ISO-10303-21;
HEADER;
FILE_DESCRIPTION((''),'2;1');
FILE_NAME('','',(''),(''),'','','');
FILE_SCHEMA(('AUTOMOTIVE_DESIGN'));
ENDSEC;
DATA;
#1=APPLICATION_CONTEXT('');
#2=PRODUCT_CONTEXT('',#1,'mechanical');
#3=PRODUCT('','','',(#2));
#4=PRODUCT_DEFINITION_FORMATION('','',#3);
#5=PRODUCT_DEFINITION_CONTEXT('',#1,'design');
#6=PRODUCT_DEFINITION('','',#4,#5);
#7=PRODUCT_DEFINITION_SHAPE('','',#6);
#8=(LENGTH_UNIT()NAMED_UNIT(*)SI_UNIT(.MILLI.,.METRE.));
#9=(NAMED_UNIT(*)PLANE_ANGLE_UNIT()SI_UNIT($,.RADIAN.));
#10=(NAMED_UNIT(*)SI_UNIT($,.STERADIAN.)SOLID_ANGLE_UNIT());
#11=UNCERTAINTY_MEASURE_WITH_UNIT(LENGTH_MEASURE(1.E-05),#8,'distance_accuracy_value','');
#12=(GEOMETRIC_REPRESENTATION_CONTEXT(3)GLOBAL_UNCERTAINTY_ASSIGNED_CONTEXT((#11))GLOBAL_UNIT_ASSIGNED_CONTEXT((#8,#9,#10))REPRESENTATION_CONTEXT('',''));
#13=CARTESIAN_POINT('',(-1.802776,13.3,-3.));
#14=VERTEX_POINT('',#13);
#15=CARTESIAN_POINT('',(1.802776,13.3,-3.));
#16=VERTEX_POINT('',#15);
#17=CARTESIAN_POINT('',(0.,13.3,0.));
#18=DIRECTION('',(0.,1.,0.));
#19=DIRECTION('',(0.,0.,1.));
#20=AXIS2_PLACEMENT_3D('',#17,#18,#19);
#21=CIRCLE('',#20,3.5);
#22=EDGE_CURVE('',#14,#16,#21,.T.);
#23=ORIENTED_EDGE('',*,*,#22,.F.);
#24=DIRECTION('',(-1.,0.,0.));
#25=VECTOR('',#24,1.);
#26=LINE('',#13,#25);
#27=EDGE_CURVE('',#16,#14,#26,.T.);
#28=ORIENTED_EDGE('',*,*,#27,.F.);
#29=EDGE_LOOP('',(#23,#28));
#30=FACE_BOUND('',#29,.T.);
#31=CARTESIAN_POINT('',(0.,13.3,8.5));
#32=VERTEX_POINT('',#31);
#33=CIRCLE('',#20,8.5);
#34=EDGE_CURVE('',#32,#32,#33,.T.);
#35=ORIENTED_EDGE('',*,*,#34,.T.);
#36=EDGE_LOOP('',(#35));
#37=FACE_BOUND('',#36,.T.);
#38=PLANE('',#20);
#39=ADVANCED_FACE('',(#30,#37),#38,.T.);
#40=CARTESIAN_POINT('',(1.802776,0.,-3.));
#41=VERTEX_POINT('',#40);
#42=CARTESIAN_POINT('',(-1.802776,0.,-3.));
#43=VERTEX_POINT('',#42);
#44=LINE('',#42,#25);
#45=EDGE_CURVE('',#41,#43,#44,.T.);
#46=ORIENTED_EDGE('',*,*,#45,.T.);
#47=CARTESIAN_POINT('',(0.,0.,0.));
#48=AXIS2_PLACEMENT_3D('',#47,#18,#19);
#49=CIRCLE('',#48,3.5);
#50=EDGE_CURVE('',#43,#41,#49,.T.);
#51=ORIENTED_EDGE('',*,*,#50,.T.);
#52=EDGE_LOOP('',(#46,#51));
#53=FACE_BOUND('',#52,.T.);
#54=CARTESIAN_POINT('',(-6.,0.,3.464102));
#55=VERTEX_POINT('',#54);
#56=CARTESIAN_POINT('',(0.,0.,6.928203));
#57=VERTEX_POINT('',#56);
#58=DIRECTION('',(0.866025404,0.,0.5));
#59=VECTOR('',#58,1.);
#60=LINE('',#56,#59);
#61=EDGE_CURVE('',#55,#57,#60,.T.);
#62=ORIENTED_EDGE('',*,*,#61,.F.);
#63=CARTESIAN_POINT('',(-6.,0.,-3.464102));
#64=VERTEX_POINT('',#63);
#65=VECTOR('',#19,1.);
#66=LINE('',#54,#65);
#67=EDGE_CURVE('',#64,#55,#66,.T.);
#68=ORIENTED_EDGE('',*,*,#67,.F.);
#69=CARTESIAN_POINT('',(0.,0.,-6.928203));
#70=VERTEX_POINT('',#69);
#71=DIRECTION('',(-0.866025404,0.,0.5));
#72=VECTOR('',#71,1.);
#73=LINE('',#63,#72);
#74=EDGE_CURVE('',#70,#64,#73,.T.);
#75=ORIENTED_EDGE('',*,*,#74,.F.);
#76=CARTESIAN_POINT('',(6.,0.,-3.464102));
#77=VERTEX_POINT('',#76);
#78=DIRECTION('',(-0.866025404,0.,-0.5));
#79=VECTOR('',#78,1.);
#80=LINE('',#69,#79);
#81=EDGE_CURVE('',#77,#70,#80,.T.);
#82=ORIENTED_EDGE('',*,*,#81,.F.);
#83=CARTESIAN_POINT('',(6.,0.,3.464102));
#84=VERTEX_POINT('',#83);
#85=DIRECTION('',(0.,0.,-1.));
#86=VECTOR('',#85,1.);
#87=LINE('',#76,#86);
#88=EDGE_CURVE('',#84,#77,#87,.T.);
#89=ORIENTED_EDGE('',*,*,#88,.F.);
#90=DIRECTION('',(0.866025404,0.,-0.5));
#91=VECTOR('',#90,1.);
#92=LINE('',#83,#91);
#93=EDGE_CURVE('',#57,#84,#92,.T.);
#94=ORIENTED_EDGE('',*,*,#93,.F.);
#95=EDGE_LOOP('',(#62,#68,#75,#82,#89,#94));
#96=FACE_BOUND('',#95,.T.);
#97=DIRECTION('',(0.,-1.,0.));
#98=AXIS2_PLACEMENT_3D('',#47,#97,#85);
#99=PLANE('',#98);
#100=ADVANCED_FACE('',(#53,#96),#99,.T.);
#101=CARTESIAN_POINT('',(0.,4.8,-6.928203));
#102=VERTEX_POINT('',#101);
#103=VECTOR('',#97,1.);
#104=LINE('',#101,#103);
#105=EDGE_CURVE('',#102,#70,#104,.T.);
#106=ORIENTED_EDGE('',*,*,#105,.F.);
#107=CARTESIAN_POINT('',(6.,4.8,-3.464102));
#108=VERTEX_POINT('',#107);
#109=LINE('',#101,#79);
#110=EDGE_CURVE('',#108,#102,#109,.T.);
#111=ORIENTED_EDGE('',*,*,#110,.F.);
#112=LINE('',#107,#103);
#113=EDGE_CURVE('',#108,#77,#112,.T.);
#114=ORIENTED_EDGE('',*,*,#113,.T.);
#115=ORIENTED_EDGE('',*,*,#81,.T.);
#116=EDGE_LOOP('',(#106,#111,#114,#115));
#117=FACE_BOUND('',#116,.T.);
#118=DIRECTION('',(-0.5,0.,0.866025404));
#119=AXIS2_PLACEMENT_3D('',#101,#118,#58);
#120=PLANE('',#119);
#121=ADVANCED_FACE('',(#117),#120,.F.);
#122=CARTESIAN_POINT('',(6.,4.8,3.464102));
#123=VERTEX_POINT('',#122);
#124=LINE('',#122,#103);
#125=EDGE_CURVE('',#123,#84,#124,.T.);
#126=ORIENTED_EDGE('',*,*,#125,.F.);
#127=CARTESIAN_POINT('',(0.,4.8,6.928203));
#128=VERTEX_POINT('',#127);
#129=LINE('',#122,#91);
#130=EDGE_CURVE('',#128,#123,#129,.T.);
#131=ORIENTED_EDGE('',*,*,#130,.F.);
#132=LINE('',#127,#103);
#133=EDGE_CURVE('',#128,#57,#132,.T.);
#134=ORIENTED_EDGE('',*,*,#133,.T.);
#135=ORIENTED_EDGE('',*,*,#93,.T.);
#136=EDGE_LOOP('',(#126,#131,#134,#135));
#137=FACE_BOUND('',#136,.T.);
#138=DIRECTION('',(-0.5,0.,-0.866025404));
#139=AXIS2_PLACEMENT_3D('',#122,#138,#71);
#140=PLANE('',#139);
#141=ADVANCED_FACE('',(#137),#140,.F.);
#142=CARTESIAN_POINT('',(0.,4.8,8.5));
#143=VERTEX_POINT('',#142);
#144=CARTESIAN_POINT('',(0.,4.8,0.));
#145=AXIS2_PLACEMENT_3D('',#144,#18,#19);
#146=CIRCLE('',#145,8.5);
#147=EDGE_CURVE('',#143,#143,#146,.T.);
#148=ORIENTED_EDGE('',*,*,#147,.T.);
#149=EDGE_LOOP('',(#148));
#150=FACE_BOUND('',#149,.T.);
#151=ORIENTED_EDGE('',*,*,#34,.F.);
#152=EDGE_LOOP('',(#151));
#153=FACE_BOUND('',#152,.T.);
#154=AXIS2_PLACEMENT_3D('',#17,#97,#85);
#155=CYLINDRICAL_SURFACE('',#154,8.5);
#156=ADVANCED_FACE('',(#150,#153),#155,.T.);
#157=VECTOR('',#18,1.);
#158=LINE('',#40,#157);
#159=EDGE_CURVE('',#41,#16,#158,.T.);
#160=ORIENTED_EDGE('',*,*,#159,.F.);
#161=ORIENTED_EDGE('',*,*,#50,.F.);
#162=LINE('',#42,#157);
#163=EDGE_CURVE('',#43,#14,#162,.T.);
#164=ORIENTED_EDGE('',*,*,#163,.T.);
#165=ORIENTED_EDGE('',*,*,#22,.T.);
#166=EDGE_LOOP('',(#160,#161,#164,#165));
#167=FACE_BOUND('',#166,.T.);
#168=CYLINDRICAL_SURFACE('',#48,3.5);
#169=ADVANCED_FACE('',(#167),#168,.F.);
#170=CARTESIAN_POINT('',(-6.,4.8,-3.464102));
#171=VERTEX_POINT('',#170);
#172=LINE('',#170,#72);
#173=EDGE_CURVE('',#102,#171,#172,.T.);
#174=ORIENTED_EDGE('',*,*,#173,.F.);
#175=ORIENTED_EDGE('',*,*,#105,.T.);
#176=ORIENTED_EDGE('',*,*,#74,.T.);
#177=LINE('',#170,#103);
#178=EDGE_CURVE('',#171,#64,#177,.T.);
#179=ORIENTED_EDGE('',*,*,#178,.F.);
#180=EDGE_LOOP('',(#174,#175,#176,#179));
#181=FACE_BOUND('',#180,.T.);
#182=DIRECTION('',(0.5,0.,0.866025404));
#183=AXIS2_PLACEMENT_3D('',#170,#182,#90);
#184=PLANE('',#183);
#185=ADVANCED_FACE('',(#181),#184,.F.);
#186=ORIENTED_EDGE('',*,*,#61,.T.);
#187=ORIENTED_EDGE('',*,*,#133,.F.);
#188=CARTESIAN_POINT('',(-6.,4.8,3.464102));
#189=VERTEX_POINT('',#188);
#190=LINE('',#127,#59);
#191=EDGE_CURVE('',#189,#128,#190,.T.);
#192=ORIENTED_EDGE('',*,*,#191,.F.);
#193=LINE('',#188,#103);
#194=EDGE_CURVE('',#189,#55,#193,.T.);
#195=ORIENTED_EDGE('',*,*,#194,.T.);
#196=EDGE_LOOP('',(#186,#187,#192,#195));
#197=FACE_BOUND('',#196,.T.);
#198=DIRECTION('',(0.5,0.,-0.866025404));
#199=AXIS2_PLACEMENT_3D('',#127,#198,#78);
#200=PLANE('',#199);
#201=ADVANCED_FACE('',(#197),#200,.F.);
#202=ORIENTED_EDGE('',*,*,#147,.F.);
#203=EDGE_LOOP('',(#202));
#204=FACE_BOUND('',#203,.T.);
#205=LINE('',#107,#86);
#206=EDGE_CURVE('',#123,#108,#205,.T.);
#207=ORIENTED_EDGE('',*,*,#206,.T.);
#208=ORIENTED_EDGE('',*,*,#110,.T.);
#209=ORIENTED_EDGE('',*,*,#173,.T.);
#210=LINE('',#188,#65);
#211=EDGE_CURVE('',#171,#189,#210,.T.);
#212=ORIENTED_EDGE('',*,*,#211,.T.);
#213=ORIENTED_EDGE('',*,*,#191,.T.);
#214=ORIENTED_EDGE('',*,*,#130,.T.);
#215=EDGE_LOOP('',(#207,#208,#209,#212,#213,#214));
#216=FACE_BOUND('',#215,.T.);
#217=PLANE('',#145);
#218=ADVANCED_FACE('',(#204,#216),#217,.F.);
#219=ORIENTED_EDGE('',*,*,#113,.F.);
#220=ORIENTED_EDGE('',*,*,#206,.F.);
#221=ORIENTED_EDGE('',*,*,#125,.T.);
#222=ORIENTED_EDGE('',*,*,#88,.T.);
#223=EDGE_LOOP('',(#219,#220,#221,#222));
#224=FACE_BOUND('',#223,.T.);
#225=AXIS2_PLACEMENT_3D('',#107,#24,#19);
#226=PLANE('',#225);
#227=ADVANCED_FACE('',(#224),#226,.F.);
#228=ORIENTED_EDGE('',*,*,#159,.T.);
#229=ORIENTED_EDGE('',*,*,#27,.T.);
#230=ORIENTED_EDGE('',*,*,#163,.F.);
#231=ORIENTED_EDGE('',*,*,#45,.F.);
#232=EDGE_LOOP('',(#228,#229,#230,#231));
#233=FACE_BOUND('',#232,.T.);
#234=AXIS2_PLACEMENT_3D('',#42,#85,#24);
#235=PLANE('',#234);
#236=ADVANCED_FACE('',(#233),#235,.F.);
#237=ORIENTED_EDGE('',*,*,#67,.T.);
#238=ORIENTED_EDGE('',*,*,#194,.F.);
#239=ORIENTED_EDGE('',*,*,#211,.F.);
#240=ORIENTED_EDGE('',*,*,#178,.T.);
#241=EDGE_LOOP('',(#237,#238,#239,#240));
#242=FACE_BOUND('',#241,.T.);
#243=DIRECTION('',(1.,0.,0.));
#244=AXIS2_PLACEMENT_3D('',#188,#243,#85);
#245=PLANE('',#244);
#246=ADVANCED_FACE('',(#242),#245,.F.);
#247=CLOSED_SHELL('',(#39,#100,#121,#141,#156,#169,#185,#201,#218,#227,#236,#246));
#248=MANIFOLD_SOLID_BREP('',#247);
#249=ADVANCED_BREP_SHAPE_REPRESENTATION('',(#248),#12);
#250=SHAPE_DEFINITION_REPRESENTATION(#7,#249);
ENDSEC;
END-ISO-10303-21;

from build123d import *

# Parameters (mm, degrees)
BOSS_EXTRUDE1_DEPTH = 4.8
SKETCH2_R           = 8.5
BOSS_EXTRUDE2_DEPTH = 8.5
CUT_EXTRUDE1_DEPTH  = 18.927353402


with BuildPart() as part:
    # Sketch1 → Boss-Extrude1 (new body)
    with BuildSketch(Plane(origin=(0, 0, 0), x_dir=(1, 0, 0), z_dir=(0, 1, 0))):
        Polygon((-6, 3.464101615), (0, 6.92820323), (6, 3.464101615), (6, -3.464101615), (0, -6.92820323), (-6, -3.464101615), align=None)
    extrude(amount=BOSS_EXTRUDE1_DEPTH)

    # Sketch2 → Boss-Extrude2 (add)
    with BuildSketch(Plane(origin=(0, 4.8, 0), x_dir=(1, 0, 0), z_dir=(0, 1, 0))):
        with Locations(Location((0, 0, 0), (0, 0, 270))):
            Circle(SKETCH2_R)
    extrude(amount=BOSS_EXTRUDE2_DEPTH)

    # Sketch3 → Cut-Extrude1 (cut, through all)
    with BuildSketch(Plane(origin=(0, 13.3, 0), x_dir=(1, 0, 0), z_dir=(0, 1, 0))):
        with BuildLine():
            Line((-1.802775638, 3), (1.802775638, 3))
            ThreePointArc((1.802775638, 3), (0, -3.5), (-1.802775638, 3))
        make_face()
    extrude(amount=-CUT_EXTRUDE1_DEPTH, mode=Mode.SUBTRACT)


solid = part.part
